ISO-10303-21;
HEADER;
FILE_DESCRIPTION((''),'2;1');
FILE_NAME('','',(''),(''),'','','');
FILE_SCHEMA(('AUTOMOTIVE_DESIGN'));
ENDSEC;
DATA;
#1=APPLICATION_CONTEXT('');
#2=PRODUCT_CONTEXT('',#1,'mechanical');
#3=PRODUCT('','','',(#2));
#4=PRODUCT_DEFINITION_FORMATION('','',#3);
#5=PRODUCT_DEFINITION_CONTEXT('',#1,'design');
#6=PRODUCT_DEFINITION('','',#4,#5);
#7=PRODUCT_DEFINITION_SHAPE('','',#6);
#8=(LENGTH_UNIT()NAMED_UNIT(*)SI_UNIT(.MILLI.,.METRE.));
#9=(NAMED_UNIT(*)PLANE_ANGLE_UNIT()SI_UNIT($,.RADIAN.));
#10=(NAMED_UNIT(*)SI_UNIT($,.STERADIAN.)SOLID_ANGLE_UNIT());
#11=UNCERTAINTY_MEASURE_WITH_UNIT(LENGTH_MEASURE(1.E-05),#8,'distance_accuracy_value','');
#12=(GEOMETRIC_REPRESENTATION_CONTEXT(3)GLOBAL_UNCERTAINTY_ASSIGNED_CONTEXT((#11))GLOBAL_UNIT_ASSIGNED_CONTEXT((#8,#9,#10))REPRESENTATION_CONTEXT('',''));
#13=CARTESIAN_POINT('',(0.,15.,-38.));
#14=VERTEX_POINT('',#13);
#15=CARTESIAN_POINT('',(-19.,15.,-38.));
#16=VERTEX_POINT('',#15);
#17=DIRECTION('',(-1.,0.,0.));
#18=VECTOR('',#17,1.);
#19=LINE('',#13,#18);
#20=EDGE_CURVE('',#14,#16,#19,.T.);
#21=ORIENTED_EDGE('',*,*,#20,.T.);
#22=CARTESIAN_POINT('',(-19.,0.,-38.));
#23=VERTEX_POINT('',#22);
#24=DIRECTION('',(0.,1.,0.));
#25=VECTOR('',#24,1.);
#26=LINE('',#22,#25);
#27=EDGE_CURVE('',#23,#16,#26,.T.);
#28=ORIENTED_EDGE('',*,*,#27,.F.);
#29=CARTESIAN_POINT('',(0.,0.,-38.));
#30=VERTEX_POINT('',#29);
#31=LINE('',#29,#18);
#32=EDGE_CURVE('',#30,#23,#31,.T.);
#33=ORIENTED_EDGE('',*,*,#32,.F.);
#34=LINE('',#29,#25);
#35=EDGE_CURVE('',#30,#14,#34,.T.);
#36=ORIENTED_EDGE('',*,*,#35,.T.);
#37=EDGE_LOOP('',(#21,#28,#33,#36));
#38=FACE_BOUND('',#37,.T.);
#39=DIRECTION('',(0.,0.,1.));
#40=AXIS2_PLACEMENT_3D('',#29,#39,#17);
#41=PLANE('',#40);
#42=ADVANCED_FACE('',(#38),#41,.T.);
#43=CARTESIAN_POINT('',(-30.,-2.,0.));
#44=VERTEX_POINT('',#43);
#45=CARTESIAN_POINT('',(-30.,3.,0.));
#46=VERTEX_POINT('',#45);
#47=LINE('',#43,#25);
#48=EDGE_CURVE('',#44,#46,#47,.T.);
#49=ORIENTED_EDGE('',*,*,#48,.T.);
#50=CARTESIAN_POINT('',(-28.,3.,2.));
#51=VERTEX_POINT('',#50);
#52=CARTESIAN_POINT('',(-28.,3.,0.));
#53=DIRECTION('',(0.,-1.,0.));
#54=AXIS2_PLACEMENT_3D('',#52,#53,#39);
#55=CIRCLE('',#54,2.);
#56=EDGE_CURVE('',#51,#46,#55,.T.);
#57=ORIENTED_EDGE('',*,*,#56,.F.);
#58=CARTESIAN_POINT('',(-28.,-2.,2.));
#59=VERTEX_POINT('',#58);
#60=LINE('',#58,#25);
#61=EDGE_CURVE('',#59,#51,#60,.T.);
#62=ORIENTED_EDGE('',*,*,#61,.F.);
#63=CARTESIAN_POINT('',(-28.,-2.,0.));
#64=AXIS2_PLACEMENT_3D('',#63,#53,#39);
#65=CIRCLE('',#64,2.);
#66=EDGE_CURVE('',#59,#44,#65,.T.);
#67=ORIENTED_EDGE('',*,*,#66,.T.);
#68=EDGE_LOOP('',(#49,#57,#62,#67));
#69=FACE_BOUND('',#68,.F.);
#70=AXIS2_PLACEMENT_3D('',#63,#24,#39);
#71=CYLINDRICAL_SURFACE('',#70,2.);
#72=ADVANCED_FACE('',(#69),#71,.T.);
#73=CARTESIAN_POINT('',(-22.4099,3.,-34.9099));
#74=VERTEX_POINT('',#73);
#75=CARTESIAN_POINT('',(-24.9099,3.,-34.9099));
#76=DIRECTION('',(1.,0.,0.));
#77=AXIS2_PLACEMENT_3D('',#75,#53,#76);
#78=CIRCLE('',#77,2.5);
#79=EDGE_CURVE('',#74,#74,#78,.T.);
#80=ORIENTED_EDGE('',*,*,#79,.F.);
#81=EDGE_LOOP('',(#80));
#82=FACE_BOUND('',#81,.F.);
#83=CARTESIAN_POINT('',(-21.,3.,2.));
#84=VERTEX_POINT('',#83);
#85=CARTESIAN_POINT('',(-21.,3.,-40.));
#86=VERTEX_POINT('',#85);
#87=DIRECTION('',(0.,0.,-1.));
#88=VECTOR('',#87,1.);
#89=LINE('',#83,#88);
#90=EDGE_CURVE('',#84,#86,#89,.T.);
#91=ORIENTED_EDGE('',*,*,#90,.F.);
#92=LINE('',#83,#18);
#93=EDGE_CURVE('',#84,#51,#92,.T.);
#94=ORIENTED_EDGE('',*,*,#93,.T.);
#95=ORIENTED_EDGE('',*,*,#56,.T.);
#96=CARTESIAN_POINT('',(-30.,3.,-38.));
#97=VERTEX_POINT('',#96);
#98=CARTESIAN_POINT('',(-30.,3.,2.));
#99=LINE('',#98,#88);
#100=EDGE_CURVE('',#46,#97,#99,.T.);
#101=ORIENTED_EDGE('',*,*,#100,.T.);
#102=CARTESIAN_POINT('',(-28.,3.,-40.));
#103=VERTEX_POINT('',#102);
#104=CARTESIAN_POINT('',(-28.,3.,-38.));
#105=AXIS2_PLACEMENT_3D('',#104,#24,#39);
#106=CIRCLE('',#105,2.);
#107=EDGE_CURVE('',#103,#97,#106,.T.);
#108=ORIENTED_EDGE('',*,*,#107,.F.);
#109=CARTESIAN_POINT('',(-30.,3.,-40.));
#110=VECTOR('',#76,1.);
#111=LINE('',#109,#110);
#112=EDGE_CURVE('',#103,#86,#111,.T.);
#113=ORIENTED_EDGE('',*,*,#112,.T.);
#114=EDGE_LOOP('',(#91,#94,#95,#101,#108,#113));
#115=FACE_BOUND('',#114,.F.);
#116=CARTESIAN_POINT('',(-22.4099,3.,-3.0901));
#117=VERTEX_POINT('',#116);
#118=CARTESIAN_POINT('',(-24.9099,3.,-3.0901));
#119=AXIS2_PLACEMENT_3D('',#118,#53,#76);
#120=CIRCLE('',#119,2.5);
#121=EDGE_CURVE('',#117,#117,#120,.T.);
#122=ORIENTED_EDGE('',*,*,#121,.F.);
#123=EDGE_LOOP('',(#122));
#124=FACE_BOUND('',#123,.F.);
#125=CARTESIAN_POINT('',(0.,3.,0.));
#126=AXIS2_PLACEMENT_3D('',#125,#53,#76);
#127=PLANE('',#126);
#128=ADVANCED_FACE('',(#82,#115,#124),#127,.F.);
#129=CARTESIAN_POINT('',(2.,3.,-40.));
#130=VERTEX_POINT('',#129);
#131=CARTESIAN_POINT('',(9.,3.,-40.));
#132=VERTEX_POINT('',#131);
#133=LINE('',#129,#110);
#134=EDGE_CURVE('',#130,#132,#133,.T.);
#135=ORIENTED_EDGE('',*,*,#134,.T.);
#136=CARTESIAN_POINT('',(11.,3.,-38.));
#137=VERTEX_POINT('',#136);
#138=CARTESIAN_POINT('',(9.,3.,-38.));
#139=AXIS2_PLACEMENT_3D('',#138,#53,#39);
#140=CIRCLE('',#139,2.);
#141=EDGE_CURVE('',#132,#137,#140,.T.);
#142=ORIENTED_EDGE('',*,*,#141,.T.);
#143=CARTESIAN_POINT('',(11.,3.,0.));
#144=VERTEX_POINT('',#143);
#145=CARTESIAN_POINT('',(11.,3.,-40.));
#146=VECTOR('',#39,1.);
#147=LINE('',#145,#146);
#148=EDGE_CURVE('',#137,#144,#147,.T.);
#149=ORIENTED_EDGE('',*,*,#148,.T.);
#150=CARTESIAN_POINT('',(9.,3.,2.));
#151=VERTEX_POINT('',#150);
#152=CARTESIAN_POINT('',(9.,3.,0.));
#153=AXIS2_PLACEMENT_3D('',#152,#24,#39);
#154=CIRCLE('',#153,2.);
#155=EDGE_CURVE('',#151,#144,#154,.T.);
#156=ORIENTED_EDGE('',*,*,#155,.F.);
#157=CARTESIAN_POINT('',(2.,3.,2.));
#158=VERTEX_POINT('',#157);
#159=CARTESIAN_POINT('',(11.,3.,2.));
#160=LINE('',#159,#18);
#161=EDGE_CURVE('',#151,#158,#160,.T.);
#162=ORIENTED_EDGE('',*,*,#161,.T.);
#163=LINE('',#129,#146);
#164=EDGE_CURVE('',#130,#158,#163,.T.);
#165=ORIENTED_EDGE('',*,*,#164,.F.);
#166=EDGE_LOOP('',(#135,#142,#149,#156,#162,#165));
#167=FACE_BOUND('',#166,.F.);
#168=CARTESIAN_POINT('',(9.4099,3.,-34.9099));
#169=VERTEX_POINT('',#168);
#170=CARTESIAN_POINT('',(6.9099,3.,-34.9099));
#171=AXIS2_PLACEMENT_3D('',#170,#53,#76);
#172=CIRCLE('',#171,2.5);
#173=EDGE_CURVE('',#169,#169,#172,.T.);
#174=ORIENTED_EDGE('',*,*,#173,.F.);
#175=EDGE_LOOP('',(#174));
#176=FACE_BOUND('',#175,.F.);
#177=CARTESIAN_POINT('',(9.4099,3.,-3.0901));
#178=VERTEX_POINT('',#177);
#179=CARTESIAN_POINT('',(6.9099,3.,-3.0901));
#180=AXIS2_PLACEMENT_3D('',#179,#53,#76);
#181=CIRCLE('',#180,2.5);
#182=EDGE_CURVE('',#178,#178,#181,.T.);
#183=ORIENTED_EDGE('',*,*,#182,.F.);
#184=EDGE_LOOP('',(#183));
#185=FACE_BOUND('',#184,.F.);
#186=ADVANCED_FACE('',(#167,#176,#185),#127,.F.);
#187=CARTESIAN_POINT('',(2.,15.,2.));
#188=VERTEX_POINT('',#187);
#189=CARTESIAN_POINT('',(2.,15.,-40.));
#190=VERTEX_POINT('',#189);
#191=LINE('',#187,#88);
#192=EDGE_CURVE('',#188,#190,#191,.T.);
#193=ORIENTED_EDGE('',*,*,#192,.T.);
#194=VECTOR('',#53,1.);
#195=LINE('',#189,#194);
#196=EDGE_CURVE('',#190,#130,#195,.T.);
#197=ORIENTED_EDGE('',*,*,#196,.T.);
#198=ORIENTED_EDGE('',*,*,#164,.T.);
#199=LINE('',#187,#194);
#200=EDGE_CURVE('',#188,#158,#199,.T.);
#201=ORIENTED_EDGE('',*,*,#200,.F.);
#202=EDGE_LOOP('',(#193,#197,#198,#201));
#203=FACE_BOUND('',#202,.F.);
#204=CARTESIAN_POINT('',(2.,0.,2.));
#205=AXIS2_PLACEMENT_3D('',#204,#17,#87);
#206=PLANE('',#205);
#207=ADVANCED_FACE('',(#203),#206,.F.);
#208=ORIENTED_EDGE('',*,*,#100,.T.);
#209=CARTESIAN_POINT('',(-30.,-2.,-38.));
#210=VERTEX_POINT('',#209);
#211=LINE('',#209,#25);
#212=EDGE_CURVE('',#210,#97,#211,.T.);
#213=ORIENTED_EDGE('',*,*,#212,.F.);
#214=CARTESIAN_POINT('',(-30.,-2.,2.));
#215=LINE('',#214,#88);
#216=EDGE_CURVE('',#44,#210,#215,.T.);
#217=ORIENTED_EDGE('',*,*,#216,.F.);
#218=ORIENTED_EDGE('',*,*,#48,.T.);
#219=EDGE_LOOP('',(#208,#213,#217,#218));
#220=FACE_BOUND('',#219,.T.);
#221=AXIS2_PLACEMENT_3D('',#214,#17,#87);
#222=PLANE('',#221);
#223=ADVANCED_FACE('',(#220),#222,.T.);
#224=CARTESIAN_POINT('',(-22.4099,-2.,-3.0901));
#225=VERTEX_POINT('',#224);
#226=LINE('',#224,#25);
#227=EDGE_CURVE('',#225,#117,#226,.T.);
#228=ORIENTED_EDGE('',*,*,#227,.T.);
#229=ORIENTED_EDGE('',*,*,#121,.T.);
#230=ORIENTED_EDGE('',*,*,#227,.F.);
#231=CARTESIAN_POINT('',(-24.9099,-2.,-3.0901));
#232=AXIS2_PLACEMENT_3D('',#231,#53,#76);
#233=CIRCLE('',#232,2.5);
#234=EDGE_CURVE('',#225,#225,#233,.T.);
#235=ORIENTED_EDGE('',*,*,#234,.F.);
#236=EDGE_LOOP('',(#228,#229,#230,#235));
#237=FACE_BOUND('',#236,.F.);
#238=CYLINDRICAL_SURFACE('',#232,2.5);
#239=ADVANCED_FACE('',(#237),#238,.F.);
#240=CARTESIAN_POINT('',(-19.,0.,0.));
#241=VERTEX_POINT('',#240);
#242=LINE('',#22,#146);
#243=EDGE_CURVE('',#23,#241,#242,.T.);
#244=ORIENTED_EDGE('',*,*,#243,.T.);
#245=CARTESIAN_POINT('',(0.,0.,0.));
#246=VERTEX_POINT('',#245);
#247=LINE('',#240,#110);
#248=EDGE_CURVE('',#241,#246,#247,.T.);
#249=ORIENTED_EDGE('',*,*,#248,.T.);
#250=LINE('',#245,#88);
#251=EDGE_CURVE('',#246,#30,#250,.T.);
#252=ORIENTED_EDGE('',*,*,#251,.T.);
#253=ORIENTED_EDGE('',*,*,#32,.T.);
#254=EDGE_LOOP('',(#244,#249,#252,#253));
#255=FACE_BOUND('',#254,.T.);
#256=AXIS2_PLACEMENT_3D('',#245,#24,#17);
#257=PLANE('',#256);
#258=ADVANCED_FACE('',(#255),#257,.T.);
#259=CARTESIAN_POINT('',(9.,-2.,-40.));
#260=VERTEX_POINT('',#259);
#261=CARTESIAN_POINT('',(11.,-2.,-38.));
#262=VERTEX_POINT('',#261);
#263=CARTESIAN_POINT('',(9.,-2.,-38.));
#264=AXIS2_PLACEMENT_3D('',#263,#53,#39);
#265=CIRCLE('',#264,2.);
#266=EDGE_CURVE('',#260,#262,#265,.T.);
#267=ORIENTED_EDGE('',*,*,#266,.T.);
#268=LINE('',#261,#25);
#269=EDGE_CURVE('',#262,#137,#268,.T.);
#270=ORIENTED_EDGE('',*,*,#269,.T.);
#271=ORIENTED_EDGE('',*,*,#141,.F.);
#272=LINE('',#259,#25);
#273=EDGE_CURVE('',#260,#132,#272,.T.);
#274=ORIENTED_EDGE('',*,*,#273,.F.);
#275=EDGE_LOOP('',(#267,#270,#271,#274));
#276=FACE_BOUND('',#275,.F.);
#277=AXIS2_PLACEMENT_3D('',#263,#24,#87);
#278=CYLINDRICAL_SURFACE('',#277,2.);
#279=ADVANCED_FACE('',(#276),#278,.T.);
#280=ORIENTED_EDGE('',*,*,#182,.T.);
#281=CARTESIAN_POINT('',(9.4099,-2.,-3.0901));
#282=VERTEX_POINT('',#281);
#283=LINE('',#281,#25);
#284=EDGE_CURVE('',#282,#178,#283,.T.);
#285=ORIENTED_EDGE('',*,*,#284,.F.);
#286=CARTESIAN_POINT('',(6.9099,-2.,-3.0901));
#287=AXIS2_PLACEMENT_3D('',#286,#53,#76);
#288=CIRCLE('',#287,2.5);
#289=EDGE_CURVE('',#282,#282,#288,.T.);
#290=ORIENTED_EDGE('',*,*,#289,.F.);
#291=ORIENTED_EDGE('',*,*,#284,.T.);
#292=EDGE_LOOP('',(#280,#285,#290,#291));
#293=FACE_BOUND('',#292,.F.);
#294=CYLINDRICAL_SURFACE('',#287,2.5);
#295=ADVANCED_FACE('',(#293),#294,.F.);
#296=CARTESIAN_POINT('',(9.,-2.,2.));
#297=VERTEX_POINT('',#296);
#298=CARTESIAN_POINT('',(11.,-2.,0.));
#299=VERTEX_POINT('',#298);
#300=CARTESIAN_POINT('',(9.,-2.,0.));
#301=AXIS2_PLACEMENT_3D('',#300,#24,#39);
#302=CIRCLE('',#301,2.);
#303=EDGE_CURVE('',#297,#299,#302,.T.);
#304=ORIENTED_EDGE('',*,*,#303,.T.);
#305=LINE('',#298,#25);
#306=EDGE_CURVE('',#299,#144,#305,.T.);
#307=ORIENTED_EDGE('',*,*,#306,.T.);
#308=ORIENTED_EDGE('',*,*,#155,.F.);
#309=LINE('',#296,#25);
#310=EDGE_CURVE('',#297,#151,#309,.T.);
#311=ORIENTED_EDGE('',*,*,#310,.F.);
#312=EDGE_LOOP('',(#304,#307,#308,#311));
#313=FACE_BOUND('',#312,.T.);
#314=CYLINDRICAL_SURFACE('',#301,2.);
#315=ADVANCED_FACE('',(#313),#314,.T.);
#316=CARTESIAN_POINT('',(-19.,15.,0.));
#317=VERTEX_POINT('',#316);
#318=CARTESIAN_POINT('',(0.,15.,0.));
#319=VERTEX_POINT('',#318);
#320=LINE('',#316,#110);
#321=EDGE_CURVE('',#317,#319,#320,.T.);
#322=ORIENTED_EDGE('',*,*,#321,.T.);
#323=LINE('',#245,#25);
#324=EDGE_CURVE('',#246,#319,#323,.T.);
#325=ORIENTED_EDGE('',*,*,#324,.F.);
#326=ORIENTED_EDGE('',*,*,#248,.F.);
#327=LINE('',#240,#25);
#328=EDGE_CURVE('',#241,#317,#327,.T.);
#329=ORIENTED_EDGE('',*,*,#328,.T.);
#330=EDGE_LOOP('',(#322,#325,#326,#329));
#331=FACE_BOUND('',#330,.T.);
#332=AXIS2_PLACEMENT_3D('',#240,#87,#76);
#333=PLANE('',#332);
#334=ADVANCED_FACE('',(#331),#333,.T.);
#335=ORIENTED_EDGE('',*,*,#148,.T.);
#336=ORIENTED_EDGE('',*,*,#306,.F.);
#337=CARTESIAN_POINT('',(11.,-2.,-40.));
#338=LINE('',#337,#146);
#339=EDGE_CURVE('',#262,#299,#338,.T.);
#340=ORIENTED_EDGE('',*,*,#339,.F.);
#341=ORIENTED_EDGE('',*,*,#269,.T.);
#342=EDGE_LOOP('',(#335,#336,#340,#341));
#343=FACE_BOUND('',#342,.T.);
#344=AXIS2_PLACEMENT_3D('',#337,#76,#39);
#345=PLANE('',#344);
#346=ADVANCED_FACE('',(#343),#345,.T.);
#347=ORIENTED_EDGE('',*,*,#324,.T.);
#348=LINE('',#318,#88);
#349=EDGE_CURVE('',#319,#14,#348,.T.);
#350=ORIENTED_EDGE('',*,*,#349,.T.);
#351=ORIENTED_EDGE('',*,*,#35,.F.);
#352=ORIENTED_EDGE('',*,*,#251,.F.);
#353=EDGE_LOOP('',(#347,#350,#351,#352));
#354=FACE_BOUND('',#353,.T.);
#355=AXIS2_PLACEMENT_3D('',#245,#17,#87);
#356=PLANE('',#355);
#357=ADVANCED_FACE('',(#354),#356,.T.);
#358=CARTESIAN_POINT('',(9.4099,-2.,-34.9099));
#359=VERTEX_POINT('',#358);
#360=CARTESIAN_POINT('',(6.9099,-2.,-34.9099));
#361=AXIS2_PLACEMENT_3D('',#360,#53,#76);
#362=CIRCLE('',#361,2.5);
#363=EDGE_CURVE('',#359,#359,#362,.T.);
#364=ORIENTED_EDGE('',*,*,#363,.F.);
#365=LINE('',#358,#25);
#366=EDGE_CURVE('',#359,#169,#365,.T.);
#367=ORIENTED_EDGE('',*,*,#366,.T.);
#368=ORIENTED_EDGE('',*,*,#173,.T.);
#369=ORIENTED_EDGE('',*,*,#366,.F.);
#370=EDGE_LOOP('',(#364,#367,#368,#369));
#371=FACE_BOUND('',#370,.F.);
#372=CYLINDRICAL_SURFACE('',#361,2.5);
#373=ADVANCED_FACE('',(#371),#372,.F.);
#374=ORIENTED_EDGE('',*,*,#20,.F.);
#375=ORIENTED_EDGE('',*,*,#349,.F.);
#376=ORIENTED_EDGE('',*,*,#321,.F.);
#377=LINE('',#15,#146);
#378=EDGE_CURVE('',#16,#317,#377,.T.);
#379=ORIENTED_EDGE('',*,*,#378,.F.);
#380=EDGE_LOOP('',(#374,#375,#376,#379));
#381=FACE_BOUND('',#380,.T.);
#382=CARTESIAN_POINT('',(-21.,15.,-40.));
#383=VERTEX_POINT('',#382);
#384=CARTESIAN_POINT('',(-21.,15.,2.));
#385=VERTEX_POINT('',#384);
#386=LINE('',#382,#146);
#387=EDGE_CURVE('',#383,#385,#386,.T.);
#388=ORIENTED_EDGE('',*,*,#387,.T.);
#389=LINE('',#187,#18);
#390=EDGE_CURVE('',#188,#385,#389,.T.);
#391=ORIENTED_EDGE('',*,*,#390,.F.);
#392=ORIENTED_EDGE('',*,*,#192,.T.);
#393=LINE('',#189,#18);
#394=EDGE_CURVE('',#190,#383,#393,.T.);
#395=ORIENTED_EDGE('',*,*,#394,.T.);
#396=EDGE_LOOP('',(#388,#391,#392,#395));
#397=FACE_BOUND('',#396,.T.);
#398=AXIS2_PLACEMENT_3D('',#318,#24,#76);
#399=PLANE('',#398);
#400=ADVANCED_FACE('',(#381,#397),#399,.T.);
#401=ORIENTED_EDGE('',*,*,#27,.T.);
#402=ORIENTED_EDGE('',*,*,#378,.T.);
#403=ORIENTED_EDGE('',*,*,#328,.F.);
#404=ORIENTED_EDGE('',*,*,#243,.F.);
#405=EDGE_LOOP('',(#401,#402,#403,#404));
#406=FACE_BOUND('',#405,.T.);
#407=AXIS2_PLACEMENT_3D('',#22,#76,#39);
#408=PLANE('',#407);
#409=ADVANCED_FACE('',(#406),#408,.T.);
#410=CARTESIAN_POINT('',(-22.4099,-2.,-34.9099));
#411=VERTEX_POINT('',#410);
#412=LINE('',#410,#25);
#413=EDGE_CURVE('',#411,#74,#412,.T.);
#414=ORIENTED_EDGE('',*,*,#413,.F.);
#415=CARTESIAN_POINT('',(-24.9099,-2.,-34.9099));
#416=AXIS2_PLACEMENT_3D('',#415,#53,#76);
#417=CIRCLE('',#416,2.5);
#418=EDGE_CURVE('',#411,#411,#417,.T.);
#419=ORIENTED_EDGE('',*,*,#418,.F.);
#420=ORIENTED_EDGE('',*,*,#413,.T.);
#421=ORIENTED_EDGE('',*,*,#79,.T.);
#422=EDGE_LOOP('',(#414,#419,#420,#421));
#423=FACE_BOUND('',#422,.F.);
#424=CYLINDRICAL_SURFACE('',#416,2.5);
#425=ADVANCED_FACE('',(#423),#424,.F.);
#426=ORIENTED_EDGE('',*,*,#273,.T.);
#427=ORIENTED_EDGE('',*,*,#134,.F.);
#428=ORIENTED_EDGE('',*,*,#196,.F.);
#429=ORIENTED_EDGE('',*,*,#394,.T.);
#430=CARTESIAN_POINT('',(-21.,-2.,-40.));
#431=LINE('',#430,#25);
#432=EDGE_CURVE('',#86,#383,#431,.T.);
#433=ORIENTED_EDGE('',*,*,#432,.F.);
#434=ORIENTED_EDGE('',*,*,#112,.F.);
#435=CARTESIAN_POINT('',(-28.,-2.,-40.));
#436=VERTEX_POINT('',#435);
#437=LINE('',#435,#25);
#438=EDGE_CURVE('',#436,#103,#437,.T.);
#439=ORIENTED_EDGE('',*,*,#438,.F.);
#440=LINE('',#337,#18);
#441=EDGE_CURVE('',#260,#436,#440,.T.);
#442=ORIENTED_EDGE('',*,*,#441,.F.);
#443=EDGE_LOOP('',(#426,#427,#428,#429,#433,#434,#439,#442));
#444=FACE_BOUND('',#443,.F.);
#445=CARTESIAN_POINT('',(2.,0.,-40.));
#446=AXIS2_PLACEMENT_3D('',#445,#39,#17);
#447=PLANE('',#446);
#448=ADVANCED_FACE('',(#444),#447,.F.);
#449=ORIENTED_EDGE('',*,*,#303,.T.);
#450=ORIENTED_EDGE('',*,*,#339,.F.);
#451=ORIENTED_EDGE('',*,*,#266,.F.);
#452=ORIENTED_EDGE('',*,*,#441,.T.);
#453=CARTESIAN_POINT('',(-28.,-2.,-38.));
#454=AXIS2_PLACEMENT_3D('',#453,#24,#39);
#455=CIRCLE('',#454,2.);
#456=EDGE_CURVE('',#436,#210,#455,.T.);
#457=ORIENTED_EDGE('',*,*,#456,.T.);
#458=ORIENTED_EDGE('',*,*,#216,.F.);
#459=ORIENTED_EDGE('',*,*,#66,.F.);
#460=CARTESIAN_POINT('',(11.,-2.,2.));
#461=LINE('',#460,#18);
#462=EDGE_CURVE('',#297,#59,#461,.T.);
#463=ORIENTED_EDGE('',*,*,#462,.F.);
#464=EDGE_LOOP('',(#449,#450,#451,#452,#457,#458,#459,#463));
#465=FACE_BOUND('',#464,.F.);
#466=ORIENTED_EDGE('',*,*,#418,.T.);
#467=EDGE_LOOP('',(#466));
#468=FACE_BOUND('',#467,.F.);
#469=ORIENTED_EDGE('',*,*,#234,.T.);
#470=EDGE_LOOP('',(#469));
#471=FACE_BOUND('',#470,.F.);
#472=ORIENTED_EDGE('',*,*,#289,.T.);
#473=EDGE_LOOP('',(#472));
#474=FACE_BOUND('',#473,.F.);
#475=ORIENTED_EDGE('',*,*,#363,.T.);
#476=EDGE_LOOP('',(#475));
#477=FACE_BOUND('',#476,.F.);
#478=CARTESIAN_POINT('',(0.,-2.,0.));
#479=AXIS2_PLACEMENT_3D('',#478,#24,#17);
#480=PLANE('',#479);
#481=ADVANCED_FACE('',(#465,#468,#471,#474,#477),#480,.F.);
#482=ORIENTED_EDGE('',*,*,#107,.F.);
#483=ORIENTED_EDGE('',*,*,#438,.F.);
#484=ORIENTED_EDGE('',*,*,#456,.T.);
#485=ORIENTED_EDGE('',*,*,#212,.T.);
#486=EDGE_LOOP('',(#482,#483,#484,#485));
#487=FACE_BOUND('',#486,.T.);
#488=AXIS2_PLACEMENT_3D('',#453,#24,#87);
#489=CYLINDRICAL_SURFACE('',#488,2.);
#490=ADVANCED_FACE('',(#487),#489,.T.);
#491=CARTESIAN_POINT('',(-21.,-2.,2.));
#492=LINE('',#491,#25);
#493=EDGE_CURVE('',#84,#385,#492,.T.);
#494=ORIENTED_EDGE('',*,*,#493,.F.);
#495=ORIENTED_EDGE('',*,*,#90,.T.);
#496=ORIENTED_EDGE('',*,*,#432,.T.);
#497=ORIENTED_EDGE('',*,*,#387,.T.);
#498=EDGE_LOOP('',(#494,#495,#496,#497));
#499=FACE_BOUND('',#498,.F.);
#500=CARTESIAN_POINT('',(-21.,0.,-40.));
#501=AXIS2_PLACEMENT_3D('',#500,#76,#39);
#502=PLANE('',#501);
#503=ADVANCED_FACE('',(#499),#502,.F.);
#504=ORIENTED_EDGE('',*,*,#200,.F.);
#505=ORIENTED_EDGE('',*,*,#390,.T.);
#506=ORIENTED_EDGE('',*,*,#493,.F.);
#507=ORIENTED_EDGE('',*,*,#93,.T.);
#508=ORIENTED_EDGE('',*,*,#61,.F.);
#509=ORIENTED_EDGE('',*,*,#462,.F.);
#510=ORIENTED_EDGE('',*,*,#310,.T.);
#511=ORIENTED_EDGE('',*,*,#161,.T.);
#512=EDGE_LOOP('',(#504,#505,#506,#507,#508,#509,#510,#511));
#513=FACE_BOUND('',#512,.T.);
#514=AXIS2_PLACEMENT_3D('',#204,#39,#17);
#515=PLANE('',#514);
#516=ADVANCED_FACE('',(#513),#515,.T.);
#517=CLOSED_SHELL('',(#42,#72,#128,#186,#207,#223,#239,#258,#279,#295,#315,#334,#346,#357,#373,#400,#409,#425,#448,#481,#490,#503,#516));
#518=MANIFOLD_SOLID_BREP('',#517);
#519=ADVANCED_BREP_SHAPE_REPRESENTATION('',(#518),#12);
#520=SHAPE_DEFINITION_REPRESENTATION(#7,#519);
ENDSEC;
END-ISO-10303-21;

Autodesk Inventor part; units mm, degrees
ref_plane "YZ Plane" through (0, 0, 0) normal (1, 0, 0) x (0, 1, 0)
ref_plane "XZ Plane" through (0, 0, 0) normal (0, 1, 0) x (-1, 0, 0)
ref_plane "XY Plane" through (0, 0, 0) normal (0, 0, 1) x (1, 0, 0)
sketch "Sketch1" plane through (0, 0, 0) normal (0, 1, 0) x (-1, 0, 0)
  line L0 (19, 0) -> (0, 0)
  line L1 (0, 0) -> (0, -38)
  line L2 (0, -38) -> (19, -38)
  line L3 (19, -38) -> (19, 0)
  line L4 (21, 2) -> (-2, 2)
  line L5 (-2, 2) -> (-2, -40)
  line L6 (-2, -40) -> (21, -40)
  line L7 (21, -40) -> (21, 2)
  dimension "d0" = 19
  dimension "d1" = 38
  dimension "d2" = 90
  dimension "d3" = 90
  dimension "d9" = 42
  dimension "d10" = 2
  dimension "d11" = 2
  dimension "d12" = 2
  dimension "d30" = 22
extrude "Extrusion1" add sketch "Sketch1" against normal blind 2 contours L3 L2 L1 L0 | L7 L6 L5 L4
sketch "Sketch2" plane through (0, 0, 0) normal (0, 1, 0) x (1, 0, 0)
  line L0 (0, 0) -> (0, 38)
  line L1 (0, 38) -> (-19, 38)
  line L2 (-19, 38) -> (-19, 0)
  line L3 (-19, 0) -> (0, 0)
  line L4 (-21, 40) -> (-21, -2) projected
  line L5 (2, 40) -> (-21, 40) projected
  line L6 (2, -2) -> (-21, -2) projected
  line L7 (-21, -2) -> (2, -2)
  line L8 (2, -2) -> (2, 40)
  line L9 (2, 40) -> (-21, 40)
  point P0 (2, 40)
  dimension "d15" = 2
  dimension "d16" = 2
  dimension "d17" = 90
extrude "Extrusion2" add sketch "Sketch2" along normal blind 15
sketch "Sketch3" plane through (0, -2, 0) normal (0, -1, 0) x (1, 0, 0)
  circle A0 centre (-9, -19) radius 22.5 construction
  circle A1 centre (-24.9099, -3.0901) radius 2.5
  circle A2 centre (6.9099, -34.9099) radius 2.5
  line L0 (-24.9099, -3.0901) -> (6.9099, -34.9099) construction
  circle A3 centre (6.9099, -3.0901) radius 2.5
  line L1 (-24.9099, -34.9099) -> (6.9099, -3.0901) construction
  circle A4 centre (-24.9099, -34.9099) radius 2.5
  line L2 (-9, 3.5) -> (-9, -41.5) construction
  line L3 (2, -40) -> (2, 2) projected
  line L4 (-21, -40) -> (2, -40) projected
  line L5 (-21, 2) -> (-30, 2)
  line L6 (-30, 2) -> (-30, -40)
  line L7 (-30, -40) -> (-21, -40)
  line L8 (2, -40) -> (11, -40)
  line L9 (11, -40) -> (11, 2)
  line L10 (11, 2) -> (2, 2)
  line L11 (-21, 2) -> (-21, -40)
  point P0 (0, 0)
  point P1 (-9, -19)
  point P2 (-9, -19)
  dimension "d20" = 45
  dimension "d21" = 5
  dimension "d22" = 5
  dimension "d23" = 45
  dimension "d24" = 5
  dimension "d25" = 5
  dimension "d26" = 45
  dimension "d27" = 90
  dimension "d28" = 45
  dimension "d29" = 11
  dimension "d31" = 21
  dimension "d32" = 0
  dimension "d33" = 9
  dimension "d34" = 42
  dimension "d35" = 9
extrude "Extrusion3" add sketch "Sketch3" against normal blind 5
fillet "Fillet1" radius 2 4 edges at (11, 0.5, 2) (11, 0.5, -40) (-30, 0.5, -40) (-30, 0.5, 2)
properties part number "Teenscy Holder"
